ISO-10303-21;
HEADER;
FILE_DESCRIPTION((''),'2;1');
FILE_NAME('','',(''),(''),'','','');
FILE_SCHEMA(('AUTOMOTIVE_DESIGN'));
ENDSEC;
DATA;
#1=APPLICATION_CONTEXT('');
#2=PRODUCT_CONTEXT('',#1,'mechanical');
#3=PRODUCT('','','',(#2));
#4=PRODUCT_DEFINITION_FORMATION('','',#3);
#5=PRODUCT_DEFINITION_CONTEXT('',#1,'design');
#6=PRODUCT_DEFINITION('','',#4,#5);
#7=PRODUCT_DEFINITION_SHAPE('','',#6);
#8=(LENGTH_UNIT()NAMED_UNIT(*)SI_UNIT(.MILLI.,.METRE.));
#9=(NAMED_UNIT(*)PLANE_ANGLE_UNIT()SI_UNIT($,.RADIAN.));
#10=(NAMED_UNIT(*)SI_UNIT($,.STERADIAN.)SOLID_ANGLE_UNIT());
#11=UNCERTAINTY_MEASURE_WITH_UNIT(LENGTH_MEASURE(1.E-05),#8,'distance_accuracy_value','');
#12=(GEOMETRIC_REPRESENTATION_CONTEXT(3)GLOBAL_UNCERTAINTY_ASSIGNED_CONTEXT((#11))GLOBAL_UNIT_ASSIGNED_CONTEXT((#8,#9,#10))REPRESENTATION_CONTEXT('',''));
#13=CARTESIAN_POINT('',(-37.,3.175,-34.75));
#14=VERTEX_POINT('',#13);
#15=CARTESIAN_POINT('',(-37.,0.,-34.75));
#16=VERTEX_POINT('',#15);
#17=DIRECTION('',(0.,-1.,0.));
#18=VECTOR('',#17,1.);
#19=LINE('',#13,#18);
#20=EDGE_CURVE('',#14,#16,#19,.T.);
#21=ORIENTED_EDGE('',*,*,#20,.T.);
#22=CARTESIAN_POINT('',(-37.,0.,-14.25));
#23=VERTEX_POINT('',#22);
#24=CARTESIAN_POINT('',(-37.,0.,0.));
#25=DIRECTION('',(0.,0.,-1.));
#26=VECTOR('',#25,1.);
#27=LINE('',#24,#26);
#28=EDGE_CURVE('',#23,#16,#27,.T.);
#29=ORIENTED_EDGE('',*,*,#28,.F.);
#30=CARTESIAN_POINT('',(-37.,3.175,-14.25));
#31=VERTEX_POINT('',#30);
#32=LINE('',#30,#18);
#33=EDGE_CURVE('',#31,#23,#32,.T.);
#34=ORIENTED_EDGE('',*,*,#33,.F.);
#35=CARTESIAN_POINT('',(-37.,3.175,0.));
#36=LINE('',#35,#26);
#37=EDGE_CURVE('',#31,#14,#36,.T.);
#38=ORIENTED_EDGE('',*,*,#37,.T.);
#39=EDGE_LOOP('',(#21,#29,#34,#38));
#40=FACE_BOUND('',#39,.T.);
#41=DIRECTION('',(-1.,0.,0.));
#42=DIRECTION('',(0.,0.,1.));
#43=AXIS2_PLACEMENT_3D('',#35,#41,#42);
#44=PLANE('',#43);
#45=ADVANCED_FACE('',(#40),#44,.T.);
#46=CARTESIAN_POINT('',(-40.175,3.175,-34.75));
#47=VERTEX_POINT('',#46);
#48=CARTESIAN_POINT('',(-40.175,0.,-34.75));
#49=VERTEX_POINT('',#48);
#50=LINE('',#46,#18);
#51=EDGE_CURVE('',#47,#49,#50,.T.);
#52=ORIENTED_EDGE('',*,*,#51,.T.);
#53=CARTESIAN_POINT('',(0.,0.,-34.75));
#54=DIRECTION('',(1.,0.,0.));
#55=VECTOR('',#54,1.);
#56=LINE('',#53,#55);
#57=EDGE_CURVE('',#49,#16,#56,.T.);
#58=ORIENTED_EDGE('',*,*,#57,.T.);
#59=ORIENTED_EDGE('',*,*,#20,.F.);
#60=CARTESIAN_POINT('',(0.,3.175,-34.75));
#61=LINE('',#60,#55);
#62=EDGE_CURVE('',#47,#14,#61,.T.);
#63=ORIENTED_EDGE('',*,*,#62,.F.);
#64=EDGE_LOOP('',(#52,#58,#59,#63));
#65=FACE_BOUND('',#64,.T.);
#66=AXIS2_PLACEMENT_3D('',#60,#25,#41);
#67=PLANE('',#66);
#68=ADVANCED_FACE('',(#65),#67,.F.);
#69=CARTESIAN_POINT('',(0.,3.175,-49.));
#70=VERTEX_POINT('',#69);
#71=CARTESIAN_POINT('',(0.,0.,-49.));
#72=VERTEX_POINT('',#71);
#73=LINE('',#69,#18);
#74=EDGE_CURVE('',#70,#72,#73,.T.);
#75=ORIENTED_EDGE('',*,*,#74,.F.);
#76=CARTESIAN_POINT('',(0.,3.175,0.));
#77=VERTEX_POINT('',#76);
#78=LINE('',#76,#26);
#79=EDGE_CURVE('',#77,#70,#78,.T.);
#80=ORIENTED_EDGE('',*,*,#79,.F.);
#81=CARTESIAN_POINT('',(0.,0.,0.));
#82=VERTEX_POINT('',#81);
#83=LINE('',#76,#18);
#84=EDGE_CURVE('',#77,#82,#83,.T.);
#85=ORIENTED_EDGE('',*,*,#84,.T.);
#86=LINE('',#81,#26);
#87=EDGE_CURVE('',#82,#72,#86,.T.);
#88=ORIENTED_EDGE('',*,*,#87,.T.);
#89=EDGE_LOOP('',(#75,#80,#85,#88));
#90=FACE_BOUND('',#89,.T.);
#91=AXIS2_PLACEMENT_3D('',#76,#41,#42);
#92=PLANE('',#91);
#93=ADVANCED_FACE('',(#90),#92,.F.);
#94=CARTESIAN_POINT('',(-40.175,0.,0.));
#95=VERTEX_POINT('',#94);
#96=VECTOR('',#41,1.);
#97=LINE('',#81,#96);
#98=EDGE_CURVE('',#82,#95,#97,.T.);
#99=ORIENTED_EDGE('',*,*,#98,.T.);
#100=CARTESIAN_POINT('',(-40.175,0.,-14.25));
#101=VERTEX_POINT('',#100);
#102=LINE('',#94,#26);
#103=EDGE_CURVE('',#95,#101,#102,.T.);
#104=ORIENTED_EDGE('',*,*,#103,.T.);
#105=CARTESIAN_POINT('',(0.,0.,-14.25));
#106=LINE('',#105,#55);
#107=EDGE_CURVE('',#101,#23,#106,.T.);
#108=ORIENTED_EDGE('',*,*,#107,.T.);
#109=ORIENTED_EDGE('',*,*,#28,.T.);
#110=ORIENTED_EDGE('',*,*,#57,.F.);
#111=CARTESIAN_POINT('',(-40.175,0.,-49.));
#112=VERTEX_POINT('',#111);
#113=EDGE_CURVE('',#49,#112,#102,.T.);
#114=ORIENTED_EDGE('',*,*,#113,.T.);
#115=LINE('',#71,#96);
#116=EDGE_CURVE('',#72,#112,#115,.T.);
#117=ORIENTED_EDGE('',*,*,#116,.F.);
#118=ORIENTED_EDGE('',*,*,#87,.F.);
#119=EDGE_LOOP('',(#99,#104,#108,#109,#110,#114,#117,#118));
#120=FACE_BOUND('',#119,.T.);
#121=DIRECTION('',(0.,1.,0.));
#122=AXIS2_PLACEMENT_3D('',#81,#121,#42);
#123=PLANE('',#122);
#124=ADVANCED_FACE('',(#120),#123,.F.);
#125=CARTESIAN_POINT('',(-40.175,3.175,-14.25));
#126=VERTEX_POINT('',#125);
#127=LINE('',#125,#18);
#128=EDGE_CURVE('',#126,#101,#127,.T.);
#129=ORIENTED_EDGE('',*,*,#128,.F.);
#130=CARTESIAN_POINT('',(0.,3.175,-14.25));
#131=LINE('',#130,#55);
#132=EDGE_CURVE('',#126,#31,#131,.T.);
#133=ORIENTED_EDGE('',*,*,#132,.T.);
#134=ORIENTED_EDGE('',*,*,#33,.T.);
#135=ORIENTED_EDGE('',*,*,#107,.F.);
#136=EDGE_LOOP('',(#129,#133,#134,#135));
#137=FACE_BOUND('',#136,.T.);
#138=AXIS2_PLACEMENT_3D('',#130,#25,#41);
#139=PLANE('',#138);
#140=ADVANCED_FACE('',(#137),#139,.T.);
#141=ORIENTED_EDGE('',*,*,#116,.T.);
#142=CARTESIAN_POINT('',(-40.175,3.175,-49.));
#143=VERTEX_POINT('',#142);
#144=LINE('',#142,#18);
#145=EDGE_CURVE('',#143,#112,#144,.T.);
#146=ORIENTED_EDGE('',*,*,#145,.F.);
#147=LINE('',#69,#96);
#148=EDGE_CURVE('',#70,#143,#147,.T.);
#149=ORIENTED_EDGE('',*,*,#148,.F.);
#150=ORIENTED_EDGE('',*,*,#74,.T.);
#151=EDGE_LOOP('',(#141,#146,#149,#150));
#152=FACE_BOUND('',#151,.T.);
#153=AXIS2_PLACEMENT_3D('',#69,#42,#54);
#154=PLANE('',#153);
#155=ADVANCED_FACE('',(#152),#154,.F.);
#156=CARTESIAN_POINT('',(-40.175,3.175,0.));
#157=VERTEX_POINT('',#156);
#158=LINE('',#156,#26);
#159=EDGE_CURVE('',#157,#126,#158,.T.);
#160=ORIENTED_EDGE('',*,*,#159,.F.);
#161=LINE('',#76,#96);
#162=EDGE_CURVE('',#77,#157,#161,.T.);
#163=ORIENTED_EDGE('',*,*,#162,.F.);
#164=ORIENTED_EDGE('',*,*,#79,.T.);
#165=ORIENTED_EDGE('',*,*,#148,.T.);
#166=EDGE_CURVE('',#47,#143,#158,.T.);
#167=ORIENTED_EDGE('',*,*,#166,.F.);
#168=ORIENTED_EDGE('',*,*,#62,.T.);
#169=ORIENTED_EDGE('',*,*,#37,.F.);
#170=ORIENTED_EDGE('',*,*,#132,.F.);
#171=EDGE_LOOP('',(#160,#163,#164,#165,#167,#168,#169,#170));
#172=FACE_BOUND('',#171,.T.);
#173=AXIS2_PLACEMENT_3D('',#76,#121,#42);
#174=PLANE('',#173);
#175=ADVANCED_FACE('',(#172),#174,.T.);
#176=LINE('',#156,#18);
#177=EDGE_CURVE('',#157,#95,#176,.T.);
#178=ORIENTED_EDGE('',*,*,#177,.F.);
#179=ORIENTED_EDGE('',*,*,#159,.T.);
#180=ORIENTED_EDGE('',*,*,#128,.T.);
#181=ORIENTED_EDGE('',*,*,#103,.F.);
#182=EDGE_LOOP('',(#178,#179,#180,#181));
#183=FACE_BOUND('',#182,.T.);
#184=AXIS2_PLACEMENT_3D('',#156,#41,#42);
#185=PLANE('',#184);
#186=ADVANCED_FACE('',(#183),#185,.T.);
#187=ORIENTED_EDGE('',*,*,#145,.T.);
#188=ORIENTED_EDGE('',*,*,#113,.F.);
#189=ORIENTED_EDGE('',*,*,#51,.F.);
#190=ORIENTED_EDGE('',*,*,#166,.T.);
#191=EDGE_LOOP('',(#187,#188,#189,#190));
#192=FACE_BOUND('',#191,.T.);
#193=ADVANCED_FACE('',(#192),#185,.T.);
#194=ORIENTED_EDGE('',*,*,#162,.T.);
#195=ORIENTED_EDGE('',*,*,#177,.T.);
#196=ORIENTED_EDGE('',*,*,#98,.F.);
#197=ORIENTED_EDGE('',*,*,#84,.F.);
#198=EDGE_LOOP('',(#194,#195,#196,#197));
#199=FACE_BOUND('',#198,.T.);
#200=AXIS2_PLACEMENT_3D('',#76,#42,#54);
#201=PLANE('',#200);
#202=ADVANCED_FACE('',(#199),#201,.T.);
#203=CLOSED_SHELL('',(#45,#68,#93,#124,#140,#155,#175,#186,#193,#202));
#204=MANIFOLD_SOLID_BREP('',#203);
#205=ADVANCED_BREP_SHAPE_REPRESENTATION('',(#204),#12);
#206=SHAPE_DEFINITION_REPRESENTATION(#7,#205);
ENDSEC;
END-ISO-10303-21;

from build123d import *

# Parameters (mm, degrees)
BOSS_EXTRUDE1_DEPTH = 3.175


with BuildPart() as part:
    # Sketch1 → Boss-Extrude1 (new body)
    with BuildSketch(Plane(origin=(0, 0, 0), x_dir=(1, 0, 0), z_dir=(0, 1, 0))):
        Polygon((-40.175, 0), (0, 0), (0, 49), (-40.175, 49), (-40.175, 34.75), (-37, 34.75), (-37, 14.25), (-40.175, 14.25), align=None)
    extrude(amount=BOSS_EXTRUDE1_DEPTH)


solid = part.part
